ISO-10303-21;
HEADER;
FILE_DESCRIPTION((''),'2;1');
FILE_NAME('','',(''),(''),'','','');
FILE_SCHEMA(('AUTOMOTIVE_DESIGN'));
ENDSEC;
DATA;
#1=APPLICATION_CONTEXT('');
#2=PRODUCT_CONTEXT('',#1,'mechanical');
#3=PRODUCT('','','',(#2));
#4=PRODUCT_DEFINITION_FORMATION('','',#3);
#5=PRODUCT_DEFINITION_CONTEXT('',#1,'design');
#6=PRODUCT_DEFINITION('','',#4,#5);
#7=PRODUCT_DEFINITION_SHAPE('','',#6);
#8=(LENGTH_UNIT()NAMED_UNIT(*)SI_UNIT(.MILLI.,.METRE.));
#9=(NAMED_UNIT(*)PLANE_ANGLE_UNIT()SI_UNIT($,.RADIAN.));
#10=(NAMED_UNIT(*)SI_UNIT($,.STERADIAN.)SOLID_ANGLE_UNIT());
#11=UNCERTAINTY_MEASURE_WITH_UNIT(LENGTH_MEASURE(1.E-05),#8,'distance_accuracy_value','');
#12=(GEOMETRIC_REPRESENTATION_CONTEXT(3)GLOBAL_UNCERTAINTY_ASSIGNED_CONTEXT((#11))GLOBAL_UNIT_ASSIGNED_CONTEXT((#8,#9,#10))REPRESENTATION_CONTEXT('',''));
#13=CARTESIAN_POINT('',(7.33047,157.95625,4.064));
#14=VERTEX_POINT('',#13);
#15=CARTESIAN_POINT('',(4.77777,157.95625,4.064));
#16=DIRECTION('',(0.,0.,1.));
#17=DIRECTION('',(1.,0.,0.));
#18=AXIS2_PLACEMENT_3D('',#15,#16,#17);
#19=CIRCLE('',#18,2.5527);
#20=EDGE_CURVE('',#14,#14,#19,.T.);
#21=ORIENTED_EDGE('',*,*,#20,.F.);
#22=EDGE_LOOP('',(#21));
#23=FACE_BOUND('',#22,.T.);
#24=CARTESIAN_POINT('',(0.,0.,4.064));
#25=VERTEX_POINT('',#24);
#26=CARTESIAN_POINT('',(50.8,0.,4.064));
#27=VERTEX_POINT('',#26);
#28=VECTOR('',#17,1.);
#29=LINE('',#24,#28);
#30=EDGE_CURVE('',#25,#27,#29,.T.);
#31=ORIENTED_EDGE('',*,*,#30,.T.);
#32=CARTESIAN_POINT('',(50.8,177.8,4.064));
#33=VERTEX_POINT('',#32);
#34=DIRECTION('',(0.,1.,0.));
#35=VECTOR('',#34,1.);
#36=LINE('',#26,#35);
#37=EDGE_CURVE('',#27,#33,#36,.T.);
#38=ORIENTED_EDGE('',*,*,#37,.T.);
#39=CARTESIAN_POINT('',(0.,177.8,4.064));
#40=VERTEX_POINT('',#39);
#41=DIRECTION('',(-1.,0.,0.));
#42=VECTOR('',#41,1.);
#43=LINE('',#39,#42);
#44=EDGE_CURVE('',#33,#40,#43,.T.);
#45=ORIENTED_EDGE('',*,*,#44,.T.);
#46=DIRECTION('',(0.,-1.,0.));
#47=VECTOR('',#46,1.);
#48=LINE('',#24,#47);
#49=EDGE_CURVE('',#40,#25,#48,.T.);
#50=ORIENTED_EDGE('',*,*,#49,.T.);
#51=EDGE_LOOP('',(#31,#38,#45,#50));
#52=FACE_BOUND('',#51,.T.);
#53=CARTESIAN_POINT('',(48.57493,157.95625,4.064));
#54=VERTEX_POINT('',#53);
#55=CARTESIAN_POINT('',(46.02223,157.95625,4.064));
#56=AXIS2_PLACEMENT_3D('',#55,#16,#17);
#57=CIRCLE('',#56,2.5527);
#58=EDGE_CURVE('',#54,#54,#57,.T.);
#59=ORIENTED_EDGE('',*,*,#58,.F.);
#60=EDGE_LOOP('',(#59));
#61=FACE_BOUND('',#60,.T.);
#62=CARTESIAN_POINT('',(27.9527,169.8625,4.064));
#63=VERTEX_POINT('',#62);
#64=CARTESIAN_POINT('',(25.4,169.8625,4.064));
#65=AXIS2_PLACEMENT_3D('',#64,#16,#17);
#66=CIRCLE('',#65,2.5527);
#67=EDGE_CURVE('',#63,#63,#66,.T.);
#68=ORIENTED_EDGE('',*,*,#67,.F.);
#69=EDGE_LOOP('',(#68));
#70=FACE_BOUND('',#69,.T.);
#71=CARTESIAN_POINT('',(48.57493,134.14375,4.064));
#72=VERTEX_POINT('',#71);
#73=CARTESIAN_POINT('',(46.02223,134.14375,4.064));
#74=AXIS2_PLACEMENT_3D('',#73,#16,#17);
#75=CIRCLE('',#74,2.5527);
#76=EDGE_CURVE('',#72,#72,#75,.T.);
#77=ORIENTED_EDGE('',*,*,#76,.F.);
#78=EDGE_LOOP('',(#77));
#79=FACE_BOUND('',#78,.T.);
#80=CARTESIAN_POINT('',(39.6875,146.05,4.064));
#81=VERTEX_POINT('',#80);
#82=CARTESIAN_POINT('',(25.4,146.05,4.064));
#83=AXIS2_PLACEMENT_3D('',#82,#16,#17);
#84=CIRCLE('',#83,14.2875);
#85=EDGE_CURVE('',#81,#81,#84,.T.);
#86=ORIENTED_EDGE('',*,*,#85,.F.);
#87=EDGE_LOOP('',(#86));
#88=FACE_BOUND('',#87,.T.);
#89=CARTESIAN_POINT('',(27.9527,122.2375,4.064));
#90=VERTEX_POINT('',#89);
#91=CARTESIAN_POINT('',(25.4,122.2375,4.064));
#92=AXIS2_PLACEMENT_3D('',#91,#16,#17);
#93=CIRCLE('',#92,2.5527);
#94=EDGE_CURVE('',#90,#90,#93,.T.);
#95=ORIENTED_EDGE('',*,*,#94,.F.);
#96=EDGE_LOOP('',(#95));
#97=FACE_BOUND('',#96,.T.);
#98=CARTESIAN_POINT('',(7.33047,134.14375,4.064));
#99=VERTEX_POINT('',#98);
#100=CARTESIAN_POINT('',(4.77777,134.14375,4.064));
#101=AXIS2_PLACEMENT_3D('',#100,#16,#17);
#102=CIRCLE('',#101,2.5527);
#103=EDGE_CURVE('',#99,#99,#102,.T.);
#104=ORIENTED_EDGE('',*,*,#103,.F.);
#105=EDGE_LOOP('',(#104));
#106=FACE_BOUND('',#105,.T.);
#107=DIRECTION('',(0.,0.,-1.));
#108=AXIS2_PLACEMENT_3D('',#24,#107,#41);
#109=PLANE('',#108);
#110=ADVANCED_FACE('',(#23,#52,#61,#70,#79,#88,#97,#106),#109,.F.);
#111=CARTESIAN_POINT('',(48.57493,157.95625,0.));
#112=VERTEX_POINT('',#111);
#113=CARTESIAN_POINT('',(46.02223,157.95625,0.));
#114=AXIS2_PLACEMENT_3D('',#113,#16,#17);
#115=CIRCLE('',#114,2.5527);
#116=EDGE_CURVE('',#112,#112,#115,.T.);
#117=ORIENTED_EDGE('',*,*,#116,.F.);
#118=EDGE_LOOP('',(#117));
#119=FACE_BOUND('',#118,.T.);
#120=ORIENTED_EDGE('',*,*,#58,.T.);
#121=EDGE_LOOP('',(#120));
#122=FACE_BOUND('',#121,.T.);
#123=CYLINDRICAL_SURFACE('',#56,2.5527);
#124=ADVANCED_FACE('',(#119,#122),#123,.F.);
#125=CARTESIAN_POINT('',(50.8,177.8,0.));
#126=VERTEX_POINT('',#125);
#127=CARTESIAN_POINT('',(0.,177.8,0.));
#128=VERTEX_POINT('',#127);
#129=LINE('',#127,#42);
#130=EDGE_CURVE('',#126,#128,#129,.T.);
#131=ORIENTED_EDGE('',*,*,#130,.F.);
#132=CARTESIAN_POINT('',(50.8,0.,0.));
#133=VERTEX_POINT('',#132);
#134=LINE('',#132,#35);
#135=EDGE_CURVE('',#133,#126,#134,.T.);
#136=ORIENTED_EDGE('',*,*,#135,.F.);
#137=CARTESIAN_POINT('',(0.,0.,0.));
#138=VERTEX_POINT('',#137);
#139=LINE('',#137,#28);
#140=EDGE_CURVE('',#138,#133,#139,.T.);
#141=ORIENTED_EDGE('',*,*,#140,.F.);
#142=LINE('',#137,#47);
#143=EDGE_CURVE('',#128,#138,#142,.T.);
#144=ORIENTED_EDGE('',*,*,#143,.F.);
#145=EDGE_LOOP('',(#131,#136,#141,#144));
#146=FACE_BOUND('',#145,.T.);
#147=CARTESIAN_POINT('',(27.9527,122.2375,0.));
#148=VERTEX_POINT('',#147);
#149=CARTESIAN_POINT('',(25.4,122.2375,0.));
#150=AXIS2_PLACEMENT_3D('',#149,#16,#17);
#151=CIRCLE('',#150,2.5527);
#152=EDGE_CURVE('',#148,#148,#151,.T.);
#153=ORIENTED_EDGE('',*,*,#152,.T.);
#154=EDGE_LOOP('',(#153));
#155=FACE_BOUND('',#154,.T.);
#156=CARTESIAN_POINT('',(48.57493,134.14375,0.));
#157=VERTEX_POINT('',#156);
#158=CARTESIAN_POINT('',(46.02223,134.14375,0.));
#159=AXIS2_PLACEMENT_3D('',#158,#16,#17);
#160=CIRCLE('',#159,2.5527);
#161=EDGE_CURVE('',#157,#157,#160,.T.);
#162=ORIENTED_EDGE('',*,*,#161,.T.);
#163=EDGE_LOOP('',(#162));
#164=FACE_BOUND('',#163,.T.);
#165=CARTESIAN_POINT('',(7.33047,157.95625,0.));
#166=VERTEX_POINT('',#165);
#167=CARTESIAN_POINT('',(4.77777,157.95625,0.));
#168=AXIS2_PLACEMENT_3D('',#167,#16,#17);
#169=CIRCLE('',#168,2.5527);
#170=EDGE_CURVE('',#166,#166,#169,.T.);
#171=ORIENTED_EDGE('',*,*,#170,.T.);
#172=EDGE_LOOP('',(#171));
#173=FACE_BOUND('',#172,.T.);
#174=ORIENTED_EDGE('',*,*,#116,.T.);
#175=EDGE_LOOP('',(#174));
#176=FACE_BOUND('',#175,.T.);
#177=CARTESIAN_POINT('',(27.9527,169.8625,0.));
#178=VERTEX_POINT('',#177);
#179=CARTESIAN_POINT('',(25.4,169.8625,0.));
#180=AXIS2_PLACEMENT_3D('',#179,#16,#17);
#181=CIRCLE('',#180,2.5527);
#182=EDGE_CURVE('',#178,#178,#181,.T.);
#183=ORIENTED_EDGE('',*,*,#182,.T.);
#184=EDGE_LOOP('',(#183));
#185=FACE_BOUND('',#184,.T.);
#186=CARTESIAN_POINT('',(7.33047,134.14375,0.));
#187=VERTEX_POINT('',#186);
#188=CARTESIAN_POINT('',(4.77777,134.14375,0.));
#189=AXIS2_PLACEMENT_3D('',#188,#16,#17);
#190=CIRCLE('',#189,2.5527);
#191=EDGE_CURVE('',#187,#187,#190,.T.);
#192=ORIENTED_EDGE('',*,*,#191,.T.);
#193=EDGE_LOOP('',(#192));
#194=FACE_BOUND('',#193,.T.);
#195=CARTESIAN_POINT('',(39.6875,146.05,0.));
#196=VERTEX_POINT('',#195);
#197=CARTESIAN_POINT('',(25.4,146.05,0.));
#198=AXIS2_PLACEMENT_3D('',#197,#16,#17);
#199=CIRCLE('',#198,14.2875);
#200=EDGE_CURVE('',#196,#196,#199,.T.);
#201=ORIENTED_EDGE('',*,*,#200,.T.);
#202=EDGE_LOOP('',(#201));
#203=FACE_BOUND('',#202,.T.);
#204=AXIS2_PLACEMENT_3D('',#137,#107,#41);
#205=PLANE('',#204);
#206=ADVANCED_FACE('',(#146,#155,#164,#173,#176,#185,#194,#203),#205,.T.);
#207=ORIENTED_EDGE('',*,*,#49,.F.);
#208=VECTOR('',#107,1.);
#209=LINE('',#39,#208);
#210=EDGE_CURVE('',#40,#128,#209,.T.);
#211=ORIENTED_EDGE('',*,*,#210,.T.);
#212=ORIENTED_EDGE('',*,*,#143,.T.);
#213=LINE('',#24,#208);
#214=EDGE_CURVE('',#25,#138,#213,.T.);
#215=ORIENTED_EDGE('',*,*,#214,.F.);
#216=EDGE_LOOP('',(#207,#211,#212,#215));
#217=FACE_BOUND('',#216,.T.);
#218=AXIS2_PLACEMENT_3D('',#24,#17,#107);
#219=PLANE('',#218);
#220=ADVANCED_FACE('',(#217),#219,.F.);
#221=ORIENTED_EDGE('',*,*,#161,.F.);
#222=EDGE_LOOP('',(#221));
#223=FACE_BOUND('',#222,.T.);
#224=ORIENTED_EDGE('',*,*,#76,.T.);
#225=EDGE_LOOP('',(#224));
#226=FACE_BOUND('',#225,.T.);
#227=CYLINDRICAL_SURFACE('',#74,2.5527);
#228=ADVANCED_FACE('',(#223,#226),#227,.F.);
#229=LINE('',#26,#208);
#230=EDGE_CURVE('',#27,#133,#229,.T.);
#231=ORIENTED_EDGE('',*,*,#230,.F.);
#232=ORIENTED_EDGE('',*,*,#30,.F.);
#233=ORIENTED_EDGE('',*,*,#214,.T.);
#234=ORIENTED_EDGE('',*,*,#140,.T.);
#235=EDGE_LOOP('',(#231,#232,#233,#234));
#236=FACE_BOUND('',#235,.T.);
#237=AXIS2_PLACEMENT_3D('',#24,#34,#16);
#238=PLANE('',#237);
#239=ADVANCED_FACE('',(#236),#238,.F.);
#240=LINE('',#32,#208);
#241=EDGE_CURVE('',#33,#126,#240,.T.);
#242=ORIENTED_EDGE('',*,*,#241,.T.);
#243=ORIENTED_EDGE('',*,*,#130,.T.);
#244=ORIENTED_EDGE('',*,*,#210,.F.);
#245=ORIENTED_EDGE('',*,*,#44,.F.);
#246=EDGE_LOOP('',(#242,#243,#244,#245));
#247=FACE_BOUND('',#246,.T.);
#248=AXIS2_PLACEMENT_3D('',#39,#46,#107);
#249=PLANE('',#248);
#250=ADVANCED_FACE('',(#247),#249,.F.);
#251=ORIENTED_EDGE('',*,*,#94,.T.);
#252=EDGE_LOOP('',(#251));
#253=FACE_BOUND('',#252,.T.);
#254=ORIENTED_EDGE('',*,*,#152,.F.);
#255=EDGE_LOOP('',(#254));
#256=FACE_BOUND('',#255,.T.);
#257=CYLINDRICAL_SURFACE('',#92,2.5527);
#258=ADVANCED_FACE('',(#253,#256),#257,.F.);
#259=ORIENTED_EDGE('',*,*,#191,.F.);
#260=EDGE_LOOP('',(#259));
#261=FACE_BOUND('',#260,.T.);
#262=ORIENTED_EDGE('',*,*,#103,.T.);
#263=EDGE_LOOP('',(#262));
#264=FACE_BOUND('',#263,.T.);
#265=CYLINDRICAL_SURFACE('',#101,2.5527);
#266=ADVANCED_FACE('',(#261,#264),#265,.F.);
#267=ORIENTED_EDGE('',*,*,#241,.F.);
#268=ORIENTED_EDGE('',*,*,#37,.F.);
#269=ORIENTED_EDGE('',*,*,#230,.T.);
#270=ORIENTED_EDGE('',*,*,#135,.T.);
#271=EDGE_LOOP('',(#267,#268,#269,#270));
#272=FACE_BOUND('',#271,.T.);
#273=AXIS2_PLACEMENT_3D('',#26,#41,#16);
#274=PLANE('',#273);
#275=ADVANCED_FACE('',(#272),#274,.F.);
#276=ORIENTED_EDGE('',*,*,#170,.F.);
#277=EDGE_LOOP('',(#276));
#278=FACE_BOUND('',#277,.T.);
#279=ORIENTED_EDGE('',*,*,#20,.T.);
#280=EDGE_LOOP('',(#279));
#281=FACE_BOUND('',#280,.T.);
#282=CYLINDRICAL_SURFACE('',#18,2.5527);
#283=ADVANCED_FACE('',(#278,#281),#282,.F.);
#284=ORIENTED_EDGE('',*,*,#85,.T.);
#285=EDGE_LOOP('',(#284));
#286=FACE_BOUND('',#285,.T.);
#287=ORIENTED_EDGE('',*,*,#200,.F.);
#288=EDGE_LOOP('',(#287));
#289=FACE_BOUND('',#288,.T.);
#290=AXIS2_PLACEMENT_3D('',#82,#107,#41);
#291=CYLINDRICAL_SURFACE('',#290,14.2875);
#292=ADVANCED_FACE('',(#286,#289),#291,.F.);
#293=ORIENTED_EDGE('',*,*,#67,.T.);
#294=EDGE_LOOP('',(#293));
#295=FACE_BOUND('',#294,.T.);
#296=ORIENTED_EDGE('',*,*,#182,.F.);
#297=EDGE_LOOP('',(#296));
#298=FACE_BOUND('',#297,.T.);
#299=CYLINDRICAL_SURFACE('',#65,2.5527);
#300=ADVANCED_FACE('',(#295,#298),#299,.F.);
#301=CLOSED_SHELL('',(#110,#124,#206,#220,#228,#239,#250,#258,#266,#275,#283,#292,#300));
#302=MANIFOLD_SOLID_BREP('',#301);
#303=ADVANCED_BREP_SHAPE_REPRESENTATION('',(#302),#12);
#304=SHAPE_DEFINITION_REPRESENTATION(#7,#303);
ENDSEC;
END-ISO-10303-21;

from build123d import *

# Parameters (mm, degrees)
SKETCH2_W              = 50.8
SKETCH2_H              = 177.8
SKETCH2_R              = 14.2875
BOSS_EXTRUDE1_DEPTH    = 4.064
F_10_CLEARANCE_HOLE1_D = 5.1054


with BuildPart() as part:
    # Sketch2 → Boss-Extrude1 (new body)
    with BuildSketch(Plane.XY):
        with Locations((25.4, 88.9)):
            Rectangle(SKETCH2_W, SKETCH2_H)
        with Locations((25.4, 146.05)):
            Circle(SKETCH2_R, mode=Mode.SUBTRACT)
    extrude(amount=BOSS_EXTRUDE1_DEPTH)

    # #10 Clearance Hole1 (through all)
    with Locations(Plane.XY.offset(4.064)):
        with Locations((46.022229928, 157.95625), (25.4, 169.8625), (4.777770072, 157.95625), (4.777770072, 134.14375), (25.4, 122.2375), (46.022229928, 134.14375)):
            Hole(F_10_CLEARANCE_HOLE1_D / 2)


solid = part.part
